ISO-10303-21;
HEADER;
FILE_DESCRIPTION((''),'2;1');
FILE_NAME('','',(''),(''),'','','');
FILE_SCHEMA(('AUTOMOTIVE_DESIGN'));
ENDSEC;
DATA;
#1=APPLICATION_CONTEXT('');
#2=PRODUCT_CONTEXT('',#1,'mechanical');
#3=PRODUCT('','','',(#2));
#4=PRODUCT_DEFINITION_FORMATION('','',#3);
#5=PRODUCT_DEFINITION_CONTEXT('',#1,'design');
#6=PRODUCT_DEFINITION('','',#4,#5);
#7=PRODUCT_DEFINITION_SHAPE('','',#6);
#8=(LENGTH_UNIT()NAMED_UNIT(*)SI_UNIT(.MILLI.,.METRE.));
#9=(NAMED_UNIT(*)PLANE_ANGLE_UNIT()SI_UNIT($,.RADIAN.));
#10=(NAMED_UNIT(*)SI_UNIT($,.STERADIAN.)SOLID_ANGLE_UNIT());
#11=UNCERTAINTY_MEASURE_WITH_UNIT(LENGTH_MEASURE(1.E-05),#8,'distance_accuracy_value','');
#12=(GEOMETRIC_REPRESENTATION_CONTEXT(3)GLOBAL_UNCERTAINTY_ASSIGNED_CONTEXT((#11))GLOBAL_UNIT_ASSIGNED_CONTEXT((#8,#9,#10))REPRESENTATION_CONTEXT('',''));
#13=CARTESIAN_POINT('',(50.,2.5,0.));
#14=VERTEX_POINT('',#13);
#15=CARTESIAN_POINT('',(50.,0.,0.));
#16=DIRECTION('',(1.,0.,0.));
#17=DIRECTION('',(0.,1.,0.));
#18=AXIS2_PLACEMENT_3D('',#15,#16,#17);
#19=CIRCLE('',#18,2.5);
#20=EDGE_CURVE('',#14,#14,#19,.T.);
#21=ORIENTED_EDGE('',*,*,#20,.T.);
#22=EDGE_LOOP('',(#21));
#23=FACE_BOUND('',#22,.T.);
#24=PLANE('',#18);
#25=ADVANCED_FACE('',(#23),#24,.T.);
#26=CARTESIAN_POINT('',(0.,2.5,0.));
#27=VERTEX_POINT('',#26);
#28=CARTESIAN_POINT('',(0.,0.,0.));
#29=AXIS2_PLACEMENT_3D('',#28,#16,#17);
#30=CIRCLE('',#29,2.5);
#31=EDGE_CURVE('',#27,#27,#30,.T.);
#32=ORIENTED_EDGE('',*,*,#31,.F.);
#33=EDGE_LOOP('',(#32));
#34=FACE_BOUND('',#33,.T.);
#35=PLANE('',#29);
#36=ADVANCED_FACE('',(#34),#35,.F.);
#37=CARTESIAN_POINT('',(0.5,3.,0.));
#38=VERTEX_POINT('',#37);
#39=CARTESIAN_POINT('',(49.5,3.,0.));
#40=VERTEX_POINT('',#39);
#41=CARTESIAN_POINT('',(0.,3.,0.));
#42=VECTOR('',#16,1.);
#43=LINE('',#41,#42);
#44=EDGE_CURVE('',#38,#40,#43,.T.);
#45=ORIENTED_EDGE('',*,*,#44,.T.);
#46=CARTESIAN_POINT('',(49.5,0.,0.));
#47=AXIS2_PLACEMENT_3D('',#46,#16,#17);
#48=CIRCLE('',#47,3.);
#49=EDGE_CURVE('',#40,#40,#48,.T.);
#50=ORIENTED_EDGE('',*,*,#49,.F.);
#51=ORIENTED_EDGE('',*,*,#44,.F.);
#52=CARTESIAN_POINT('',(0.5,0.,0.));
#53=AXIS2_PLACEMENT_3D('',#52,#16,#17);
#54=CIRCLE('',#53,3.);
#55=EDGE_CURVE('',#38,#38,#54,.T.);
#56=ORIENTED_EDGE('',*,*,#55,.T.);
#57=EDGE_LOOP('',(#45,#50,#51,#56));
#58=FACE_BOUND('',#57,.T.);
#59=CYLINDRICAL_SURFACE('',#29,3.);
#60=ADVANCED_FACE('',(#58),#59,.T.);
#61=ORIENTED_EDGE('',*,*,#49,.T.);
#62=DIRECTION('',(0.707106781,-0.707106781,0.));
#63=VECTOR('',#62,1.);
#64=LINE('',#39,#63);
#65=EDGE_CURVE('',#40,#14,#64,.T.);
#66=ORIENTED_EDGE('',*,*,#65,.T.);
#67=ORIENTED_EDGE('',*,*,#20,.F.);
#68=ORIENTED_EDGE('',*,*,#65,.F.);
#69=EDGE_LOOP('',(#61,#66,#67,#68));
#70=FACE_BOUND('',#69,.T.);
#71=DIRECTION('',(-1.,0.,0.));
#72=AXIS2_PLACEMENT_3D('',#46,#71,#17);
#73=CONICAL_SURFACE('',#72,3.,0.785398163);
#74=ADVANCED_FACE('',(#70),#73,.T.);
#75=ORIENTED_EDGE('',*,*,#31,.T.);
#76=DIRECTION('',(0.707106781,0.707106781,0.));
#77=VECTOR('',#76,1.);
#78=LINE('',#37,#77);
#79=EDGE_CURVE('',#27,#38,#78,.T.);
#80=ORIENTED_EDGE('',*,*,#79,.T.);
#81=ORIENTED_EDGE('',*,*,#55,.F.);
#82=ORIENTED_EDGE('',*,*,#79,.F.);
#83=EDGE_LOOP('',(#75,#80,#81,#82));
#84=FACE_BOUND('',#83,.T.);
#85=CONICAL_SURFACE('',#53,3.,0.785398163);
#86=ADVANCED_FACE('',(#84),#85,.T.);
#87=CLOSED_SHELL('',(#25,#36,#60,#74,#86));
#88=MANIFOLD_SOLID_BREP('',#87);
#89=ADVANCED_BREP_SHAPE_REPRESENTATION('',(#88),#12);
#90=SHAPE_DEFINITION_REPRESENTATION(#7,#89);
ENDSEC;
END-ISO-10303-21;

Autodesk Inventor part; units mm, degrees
ref_plane "Startebene" through (0, 0, 0) normal (1, 0, 0) x (0, 1, 0)
ref_plane "XZ Plane" through (0, 0, 0) normal (0, 1, 0) x (-1, 0, 0)
ref_plane "XY Plane" through (0, 0, 0) normal (0, 0, 1) x (1, 0, 0)
sketch "Hauptskizze" plane through (0, 0, 0) normal (0, 0, 1) x (1, 0, 0)
  line L0 (0, 0) -> (50, 0)
  line L1 (0, 0) -> (0, 3)
  line L2 (50, 3) -> (50, 0)
  line L3 (0, 3) -> (50, 3)
  dimension "d3" = 6
revolve "Umdrehung1" add sketch "Hauptskizze" angle 360 about axis through (0, 0, 0) along (1, 0, 0)
chamfer "Fase3" distance 0.5 angle 45 1 edges at (0, -3, 0) measured on face at (33.3333, 2.9612, -0.4812)
chamfer "Fase2" distance 0.5 angle 45 1 edges at (50, -3, 0) measured on face at (17, 2.9903, -0.2414)
properties part number "Welle" material "Steel"
